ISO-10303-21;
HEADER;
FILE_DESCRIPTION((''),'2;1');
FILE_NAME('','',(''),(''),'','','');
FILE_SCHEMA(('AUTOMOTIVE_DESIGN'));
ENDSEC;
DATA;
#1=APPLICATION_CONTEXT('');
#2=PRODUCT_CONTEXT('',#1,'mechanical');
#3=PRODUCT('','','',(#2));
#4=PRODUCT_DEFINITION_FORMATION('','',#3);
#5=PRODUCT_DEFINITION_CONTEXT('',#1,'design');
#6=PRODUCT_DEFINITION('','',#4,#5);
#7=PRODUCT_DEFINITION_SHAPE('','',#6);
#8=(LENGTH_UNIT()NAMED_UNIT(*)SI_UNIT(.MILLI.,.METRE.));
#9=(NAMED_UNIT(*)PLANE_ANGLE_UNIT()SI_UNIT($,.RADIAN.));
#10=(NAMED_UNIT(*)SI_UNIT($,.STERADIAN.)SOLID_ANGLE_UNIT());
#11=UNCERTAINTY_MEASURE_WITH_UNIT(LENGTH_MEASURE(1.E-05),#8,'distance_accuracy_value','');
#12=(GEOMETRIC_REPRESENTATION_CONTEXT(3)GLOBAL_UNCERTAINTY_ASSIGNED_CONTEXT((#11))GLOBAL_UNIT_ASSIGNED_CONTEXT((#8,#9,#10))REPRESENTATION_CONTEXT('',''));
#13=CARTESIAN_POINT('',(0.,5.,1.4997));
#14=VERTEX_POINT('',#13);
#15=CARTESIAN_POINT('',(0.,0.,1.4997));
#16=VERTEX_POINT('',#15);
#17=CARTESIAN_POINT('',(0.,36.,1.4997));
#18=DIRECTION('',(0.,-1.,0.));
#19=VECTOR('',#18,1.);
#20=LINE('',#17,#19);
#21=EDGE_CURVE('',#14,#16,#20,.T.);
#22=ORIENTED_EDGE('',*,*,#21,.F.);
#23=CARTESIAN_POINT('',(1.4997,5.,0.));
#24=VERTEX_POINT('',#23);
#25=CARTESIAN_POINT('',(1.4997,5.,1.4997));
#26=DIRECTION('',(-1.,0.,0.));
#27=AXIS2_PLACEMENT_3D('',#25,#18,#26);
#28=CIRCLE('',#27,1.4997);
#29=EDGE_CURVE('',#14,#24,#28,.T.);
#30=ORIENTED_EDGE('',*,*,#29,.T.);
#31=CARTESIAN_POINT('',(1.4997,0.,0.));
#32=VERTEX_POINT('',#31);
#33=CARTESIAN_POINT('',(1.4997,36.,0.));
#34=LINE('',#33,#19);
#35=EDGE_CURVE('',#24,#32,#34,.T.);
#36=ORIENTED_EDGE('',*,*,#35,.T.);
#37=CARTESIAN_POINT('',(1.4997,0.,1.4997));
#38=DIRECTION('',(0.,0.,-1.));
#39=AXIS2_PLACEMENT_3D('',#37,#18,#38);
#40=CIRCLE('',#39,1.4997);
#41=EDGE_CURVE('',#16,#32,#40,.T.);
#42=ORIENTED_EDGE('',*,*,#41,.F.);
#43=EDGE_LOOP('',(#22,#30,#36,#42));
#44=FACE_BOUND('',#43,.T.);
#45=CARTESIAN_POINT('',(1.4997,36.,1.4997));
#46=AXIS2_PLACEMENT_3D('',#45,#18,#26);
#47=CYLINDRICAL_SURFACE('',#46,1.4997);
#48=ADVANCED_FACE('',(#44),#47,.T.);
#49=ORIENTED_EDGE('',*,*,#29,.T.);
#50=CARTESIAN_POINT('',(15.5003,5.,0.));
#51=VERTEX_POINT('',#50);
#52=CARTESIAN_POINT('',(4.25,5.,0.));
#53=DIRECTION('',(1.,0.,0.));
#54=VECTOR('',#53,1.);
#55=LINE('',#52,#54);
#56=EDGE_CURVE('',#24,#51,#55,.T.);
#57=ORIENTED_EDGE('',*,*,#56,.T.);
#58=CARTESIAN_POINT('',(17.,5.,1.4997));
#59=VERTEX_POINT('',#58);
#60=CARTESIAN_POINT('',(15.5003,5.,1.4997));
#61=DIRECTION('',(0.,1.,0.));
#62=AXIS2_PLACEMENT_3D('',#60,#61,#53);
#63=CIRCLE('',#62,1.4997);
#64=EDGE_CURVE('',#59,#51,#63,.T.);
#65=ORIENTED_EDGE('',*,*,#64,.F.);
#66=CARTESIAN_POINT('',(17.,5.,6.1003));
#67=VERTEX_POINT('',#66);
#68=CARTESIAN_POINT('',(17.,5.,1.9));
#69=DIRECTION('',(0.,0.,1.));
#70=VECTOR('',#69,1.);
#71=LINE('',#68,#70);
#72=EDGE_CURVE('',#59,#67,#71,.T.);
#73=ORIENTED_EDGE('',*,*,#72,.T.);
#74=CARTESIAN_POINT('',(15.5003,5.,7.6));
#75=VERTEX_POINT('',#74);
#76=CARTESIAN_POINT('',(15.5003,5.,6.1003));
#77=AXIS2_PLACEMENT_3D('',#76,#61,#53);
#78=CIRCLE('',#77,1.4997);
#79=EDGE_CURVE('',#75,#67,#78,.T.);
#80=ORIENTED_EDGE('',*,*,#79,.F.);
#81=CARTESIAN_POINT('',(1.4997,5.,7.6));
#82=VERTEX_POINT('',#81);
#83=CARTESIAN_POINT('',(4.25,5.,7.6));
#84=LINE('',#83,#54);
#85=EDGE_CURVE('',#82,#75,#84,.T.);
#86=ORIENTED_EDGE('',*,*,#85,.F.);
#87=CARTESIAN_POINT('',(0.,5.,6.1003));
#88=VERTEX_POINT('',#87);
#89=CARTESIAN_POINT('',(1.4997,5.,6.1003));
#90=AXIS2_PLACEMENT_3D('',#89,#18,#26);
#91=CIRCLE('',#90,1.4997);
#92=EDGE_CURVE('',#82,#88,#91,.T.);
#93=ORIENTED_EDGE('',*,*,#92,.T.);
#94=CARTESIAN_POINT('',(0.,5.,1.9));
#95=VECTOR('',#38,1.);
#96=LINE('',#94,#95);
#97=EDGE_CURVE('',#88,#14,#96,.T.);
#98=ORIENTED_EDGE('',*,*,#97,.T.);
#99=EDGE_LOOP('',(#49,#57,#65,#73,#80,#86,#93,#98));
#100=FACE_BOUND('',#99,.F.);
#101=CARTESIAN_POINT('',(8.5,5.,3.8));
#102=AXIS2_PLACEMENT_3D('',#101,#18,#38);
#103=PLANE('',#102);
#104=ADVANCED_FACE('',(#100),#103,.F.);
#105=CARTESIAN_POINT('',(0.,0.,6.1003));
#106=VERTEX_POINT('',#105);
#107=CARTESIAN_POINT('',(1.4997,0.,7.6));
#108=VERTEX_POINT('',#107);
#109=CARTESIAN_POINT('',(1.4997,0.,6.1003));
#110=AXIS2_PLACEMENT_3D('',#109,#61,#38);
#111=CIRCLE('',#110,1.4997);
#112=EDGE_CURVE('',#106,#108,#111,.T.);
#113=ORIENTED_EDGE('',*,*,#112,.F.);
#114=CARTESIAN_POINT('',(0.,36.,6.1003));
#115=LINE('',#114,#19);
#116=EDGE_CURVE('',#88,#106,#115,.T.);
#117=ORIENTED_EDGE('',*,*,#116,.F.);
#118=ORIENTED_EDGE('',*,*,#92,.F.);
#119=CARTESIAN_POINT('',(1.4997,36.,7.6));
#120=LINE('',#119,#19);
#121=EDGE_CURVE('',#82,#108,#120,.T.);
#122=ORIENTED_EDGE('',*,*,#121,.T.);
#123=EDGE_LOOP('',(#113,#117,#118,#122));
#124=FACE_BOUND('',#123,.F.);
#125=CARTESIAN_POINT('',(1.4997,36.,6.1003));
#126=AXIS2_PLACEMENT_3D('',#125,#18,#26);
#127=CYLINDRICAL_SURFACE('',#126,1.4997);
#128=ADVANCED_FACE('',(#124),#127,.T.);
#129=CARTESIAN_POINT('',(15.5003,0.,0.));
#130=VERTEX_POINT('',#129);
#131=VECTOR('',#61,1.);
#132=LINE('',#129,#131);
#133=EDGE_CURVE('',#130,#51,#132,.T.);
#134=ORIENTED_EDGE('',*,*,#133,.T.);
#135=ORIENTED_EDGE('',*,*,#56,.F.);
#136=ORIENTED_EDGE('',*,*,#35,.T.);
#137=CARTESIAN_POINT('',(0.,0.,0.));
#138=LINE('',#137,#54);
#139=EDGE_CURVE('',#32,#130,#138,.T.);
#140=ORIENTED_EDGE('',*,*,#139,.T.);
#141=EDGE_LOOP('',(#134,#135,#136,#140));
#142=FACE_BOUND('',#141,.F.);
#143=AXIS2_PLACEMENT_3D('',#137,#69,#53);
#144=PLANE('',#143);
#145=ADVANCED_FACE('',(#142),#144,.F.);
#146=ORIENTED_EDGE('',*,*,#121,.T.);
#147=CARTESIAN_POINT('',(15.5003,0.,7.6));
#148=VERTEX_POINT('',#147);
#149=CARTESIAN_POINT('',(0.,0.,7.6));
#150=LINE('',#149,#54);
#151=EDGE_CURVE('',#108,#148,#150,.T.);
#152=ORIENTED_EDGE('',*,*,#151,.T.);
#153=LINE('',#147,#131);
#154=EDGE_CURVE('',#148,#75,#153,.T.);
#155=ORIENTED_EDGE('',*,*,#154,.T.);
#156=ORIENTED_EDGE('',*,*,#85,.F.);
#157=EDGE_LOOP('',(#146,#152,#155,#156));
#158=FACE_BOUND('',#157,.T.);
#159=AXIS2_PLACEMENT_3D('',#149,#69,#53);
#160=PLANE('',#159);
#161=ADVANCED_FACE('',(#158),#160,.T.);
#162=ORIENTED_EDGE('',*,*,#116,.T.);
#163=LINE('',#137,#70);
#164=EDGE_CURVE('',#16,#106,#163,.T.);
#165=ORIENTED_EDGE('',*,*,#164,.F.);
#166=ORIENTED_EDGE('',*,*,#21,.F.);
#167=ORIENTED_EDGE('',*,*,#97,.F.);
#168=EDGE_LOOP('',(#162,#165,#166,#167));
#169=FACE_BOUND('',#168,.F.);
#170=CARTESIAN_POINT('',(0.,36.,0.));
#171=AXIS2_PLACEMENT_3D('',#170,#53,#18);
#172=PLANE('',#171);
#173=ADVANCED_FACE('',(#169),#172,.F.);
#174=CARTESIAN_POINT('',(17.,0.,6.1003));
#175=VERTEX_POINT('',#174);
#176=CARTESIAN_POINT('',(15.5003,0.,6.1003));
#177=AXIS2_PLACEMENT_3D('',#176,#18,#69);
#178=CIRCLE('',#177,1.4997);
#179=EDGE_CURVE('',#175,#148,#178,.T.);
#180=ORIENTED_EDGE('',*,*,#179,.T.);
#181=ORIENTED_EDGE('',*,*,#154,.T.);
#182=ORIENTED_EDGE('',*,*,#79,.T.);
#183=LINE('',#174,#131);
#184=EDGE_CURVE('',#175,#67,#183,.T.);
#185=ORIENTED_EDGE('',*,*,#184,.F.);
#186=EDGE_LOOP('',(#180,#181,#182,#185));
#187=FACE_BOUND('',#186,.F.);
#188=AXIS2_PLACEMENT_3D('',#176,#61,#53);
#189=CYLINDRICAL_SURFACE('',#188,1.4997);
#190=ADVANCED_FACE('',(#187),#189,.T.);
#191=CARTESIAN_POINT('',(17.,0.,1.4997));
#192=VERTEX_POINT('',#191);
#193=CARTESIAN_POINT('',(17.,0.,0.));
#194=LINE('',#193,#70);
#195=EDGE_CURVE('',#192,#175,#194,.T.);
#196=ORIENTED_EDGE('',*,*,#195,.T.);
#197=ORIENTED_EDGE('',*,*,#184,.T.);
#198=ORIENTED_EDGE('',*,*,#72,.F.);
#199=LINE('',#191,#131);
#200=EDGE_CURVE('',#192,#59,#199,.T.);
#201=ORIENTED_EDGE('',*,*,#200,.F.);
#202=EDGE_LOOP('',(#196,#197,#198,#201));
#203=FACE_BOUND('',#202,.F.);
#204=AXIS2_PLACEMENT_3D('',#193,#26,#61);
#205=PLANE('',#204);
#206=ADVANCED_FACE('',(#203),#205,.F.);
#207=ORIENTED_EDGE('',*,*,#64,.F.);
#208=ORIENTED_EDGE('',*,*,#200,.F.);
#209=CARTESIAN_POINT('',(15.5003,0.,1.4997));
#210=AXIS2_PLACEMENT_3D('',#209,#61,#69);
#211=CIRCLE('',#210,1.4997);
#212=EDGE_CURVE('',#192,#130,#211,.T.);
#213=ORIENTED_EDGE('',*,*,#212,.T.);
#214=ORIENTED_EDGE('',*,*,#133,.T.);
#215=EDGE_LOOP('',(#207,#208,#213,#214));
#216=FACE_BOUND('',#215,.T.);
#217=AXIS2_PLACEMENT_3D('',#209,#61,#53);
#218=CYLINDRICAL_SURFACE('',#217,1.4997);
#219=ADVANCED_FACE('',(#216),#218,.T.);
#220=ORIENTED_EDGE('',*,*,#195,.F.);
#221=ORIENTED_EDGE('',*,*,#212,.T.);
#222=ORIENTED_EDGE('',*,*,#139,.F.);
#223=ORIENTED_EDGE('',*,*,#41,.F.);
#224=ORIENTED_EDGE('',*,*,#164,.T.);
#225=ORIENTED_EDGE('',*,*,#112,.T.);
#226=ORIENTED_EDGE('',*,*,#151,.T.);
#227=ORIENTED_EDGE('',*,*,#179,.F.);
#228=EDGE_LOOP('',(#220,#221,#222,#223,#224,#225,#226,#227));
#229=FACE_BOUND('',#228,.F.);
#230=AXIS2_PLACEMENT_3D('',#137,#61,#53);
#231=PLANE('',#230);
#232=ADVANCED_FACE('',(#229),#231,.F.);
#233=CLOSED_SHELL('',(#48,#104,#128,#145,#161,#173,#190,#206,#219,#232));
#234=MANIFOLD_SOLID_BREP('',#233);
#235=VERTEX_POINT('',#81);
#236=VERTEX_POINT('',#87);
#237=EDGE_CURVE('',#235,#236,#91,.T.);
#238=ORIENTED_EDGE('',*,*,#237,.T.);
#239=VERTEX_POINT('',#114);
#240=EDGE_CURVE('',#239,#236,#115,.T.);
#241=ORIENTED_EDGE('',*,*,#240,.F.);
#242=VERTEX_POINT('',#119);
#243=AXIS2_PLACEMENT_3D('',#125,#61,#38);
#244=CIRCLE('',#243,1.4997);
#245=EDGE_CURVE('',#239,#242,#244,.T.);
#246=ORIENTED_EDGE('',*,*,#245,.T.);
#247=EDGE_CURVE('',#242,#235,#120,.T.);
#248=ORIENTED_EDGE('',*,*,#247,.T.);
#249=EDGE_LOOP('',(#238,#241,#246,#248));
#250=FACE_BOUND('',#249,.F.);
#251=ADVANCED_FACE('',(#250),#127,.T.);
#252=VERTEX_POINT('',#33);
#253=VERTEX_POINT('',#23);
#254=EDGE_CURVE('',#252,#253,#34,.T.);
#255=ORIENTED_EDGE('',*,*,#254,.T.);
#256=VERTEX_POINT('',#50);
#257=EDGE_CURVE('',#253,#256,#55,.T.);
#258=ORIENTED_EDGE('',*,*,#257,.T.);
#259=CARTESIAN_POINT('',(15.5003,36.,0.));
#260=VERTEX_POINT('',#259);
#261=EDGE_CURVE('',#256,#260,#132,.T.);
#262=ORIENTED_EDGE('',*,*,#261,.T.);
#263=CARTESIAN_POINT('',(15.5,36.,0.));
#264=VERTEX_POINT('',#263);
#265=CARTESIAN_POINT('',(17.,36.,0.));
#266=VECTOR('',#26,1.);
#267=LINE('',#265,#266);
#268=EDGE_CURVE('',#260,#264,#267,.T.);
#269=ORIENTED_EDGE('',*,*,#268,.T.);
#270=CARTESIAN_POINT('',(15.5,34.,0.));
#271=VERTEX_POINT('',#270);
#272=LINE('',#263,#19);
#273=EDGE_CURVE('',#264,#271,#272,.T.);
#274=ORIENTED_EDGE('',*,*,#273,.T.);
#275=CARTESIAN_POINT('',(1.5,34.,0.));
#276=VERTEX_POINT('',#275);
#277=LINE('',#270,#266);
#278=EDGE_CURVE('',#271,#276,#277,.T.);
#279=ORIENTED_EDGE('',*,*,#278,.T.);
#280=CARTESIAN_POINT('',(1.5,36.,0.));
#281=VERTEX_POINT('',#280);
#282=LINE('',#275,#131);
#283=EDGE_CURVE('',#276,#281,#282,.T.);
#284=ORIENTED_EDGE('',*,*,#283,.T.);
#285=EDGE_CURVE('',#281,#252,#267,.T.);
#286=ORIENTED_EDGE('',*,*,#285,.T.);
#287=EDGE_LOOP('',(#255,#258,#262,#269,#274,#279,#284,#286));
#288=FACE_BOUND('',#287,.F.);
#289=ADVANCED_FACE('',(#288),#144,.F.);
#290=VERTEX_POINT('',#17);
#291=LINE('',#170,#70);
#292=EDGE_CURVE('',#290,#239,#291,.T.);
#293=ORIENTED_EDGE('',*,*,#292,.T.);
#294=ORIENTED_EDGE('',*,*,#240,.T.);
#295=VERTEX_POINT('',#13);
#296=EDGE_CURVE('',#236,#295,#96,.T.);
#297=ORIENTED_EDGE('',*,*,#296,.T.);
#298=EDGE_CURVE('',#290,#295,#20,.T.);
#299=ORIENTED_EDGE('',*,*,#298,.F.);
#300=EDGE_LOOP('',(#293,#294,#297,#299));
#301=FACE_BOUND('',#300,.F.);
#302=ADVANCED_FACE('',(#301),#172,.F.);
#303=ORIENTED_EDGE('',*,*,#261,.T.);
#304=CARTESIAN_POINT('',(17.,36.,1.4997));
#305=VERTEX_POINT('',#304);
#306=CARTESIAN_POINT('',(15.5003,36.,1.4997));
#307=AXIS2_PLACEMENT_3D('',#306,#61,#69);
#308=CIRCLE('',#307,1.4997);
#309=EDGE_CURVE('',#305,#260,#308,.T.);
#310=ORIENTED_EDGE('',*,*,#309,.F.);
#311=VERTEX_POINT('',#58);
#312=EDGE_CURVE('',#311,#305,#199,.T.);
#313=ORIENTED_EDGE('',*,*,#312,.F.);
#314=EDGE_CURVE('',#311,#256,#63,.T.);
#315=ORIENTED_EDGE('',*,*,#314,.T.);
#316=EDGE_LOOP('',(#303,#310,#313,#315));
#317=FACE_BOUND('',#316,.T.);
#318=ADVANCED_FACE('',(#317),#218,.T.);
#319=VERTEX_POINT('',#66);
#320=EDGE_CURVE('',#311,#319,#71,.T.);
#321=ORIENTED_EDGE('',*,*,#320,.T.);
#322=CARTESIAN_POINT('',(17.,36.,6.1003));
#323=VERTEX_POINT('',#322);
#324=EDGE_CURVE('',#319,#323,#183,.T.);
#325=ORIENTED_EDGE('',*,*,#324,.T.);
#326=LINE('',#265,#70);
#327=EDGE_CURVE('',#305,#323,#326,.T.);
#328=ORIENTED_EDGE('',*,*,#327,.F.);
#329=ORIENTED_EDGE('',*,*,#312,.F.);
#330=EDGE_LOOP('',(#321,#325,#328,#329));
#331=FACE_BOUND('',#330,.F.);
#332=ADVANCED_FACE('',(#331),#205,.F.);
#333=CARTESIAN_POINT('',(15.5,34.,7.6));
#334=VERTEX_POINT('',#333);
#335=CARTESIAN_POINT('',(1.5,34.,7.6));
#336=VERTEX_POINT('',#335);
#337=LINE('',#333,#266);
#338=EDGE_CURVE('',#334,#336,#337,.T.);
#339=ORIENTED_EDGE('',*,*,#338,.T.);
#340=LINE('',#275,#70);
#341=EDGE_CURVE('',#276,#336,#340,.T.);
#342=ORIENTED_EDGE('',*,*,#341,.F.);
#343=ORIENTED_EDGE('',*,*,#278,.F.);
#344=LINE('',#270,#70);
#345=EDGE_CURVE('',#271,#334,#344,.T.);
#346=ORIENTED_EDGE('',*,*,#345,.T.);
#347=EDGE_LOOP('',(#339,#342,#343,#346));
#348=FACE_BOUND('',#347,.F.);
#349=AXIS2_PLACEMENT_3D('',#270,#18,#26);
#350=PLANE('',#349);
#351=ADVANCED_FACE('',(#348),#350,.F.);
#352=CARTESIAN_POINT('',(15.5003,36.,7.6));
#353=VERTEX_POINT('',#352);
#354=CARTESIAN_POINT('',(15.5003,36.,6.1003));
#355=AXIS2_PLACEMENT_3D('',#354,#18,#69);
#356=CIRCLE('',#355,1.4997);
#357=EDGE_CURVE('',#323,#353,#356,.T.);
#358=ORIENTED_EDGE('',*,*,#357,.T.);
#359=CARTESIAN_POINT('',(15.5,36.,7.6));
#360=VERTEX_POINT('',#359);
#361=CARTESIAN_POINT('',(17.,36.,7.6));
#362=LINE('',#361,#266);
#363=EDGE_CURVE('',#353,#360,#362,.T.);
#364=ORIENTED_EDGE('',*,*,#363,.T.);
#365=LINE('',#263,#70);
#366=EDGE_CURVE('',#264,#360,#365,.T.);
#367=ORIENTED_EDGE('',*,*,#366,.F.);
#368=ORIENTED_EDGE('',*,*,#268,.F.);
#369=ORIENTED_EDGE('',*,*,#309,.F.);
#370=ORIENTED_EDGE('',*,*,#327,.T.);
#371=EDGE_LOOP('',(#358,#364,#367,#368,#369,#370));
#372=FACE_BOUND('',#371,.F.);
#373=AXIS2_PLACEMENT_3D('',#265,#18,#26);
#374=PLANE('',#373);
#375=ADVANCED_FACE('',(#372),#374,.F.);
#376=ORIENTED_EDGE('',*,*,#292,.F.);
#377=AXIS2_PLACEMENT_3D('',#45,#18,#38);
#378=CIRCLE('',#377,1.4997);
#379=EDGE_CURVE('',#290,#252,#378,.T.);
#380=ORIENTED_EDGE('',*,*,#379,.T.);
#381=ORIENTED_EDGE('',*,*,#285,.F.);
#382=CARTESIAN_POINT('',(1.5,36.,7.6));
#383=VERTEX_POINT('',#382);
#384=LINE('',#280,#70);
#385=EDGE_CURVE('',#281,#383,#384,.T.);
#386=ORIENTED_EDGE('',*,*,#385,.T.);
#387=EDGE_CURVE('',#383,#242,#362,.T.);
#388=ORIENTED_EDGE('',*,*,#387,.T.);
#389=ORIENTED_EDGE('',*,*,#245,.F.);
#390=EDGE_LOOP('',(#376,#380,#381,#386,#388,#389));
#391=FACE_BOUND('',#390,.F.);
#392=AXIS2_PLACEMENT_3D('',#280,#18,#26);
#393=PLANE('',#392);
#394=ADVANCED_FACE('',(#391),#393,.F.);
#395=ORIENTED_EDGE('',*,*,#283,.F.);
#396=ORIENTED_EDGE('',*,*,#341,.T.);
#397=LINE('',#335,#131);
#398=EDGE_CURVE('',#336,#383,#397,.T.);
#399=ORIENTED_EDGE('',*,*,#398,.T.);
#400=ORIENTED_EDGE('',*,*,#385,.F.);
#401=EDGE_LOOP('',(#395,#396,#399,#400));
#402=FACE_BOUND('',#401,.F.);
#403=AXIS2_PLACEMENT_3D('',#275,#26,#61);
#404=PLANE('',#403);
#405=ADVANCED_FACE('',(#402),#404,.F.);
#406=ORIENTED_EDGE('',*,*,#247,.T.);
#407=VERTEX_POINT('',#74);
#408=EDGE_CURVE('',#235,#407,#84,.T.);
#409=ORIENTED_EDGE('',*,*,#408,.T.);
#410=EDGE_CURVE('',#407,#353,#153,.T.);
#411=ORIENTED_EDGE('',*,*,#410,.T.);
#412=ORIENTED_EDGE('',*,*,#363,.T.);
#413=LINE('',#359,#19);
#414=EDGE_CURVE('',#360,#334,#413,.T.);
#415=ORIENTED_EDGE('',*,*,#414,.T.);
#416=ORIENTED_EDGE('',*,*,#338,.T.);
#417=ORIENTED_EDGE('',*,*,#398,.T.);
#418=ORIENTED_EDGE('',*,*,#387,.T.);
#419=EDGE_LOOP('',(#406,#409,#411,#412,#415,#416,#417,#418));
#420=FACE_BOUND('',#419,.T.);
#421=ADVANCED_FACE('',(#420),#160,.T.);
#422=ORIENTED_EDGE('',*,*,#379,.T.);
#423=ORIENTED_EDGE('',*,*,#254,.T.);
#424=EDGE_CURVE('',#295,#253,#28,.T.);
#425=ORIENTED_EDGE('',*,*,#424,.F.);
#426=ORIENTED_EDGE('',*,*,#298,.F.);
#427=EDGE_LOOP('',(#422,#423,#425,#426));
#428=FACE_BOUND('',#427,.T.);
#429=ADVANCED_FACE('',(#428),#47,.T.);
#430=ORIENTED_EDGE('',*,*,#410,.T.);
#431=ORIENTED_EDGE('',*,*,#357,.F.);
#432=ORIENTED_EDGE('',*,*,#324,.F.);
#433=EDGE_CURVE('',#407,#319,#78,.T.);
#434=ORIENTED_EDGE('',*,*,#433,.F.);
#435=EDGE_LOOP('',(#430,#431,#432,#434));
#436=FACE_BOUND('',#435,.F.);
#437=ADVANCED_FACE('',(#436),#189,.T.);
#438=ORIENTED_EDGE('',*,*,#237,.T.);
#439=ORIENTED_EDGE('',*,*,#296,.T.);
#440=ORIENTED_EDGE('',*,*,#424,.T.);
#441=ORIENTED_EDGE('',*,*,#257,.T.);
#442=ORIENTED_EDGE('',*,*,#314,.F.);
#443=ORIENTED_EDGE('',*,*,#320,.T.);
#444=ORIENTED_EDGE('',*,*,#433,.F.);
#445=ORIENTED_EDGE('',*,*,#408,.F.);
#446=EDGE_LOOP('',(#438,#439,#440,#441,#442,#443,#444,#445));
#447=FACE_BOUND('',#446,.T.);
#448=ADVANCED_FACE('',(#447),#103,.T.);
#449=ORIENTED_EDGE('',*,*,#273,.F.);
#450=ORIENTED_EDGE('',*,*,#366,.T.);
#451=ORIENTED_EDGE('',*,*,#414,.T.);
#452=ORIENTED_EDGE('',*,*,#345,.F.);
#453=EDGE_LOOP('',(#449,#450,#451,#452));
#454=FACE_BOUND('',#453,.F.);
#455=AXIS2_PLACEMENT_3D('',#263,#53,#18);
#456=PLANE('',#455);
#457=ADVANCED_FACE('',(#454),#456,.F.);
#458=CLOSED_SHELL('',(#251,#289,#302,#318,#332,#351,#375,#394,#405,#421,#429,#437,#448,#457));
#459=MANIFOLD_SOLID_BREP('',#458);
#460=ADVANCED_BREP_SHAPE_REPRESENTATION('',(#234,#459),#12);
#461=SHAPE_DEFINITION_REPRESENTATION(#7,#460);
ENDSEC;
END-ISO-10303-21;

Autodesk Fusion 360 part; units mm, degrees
sketch "Sketch1" plane through (0, 0, 0) normal (0, 0, 1) x (1, 0, 0)
  line L0 (0, 0) -> (17, 0)
  line L1 (17, 0) -> (17, 36)
  line L2 (17, 36) -> (0, 36)
  line L3 (0, 36) -> (0, 0)
  line L4 (15.5, 34) -> (1.5, 34)
  line L5 (1.5, 34) -> (1.5, 36)
  line L6 (1.5, 36) -> (15.5, 36)
  line L7 (15.5, 36) -> (15.5, 34)
  dimension "d1" = 17
  dimension "d2" = 36
  dimension "d7" = 2
  dimension "d8" = 14
extrude "Extrude1" add sketch "Sketch1" along normal blind 7.6 contours L0 L1 L2 L3 L4 L5 L7 makes body 1
ref_plane "WorkPlane1" through (8.5, 5, 3.8) normal (0, -1, 0) x (1, 0, 0)
fillet "Fillet1" radius 1.5 4 edges at (17, 18, 7.6) (17, 18, 0) (0, 18, 7.6) (0, 18, 0) on bodies 1
split "Split1" by plane through (8.5, 5, 3.8) normal (0, -1, 0) bodies 1 makes body 2 at (10.8334, 0, 5.0667)
